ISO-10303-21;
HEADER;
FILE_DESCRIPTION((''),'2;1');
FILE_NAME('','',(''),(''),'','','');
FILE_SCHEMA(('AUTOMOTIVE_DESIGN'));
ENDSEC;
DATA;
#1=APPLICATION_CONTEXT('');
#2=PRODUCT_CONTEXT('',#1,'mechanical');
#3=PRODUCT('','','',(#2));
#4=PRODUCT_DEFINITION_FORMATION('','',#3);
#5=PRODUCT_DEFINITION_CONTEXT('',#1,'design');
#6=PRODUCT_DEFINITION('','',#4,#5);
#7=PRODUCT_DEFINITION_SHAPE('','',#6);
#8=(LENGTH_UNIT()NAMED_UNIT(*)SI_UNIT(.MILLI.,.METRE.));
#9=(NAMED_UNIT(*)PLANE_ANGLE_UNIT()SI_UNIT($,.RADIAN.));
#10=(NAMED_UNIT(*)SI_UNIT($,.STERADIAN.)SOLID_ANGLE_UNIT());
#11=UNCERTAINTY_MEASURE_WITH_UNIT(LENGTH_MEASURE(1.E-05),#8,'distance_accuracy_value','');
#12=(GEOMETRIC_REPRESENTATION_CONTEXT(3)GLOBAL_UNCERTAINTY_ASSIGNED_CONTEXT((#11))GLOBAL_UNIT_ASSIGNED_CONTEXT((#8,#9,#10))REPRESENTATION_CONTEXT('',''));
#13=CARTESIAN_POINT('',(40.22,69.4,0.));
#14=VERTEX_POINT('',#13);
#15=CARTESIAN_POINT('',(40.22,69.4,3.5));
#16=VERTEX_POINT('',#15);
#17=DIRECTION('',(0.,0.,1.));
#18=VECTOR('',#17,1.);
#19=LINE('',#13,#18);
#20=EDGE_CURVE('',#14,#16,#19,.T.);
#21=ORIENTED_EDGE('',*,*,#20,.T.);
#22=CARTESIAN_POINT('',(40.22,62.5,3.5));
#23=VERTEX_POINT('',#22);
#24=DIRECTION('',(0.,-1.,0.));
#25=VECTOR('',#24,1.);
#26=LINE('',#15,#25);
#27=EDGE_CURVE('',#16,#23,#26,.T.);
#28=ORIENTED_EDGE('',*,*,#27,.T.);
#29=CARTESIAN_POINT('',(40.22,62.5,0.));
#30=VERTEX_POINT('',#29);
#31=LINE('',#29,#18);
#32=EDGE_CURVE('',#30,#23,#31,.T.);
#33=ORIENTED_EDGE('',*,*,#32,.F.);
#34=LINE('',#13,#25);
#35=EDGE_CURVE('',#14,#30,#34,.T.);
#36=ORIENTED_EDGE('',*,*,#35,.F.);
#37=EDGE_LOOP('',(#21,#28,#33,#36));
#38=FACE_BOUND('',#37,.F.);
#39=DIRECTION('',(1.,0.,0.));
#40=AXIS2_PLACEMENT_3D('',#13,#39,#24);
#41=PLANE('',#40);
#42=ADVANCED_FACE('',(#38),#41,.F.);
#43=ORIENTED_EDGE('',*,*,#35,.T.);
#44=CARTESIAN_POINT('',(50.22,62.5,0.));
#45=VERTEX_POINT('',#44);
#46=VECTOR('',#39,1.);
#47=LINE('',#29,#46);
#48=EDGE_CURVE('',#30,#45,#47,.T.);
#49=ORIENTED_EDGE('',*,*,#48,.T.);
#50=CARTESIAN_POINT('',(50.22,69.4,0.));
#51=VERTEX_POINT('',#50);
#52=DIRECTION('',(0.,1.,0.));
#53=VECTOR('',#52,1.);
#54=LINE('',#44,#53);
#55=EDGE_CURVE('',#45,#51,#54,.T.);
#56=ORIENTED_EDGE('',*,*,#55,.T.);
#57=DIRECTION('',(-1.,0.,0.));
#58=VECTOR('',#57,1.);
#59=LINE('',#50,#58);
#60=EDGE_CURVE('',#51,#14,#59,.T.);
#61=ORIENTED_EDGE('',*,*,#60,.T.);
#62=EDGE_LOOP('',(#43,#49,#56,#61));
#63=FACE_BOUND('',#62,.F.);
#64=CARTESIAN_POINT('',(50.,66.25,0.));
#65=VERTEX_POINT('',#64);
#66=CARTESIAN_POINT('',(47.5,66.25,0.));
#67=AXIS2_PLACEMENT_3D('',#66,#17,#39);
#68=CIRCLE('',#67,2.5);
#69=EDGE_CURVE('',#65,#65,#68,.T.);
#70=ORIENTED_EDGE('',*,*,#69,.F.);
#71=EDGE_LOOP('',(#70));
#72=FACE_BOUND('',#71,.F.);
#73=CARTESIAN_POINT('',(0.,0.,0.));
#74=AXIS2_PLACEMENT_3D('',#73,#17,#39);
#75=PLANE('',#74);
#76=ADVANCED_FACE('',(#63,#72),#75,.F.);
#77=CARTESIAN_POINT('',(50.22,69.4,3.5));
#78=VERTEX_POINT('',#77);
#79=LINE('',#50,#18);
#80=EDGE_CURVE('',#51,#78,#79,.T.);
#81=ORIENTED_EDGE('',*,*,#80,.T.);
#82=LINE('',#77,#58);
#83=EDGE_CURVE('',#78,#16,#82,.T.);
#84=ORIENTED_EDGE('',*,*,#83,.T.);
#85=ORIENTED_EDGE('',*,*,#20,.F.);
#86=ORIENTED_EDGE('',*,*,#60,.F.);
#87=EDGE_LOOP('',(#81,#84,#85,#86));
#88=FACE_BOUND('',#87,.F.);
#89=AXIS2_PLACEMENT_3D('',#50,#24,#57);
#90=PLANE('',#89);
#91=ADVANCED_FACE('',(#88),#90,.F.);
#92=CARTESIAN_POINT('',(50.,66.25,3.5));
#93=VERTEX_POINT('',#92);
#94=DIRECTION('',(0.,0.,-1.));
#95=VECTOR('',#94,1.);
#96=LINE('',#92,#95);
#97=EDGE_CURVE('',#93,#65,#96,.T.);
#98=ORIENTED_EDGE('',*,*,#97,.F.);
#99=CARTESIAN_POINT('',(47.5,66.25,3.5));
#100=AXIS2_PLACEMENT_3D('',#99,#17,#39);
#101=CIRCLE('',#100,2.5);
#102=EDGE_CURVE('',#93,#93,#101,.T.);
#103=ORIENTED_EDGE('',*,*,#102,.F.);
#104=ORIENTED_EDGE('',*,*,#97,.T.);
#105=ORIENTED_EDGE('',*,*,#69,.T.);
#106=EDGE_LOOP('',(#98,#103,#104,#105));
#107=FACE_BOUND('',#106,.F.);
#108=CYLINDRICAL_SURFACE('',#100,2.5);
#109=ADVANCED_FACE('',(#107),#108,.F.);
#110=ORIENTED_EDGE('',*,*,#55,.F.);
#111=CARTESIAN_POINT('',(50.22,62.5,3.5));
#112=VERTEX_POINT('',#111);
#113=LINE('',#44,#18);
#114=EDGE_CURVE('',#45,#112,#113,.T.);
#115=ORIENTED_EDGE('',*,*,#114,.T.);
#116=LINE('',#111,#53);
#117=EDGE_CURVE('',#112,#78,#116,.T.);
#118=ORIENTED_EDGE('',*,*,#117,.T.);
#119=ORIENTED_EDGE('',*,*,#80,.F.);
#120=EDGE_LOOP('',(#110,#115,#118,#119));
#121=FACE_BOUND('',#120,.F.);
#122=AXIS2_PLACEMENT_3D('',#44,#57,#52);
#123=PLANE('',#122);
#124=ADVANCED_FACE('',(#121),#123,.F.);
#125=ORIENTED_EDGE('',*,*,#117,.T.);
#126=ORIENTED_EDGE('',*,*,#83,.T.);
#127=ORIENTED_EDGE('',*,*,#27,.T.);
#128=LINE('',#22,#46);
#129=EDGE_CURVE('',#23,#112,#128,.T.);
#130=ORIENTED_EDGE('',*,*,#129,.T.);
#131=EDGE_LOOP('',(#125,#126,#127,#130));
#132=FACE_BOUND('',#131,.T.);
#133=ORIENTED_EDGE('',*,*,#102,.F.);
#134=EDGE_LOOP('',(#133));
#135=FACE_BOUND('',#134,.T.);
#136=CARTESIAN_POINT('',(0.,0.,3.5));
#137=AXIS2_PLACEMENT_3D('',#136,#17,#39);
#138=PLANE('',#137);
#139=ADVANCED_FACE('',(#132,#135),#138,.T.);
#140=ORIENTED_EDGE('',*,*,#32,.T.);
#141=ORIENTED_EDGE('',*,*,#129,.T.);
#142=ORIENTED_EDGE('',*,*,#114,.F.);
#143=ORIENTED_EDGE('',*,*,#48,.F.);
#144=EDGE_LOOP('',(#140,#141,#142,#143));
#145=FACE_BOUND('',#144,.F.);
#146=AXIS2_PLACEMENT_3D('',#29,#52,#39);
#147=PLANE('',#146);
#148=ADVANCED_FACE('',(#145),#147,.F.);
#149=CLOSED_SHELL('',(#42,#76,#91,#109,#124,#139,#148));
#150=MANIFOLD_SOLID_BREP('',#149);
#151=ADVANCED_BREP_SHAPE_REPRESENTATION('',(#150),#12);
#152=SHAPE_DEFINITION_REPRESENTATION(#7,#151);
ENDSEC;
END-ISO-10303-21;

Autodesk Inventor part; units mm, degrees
ref_plane "YZ Plane" through (0, 0, 0) normal (1, 0, 0) x (0, 1, 0)
ref_plane "XZ Plane" through (0, 0, 0) normal (0, 1, 0) x (-1, 0, 0)
ref_plane "XY Plane" through (0, 0, 0) normal (0, 0, 1) x (1, 0, 0)
sketch "Sketch1" plane through (0, 0, 0) normal (0, 0, 1) x (1, 0, 0)
  circle A0 centre (47.5, 66.25) radius 1.5 projected
  line L0 (50.22, 62.5) -> (-50.22, 62.5) construction
  line L1 (50.22, 62.5) -> (50.22, 69.4) construction
  line L2 (50.22, 69.4) -> (-50.22, 69.4) construction
  line L3 (50.22, 69.4) -> (40.22, 69.4)
  line L4 (40.22, 69.4) -> (40.22, 62.5)
  line L5 (40.22, 62.5) -> (50.22, 62.5)
  line L6 (50.22, 62.5) -> (50.22, 69.4)
  point P0 (0, 0)
  dimension "d0" = 10
extrude "Extrusion1" add sketch "Sketch1" along normal blind 3.5
sketch "Sketch2" plane through (0, 0, 3.5) normal (0, 0, 1) x (1, 0, 0)
  circle A0 centre (47.5, 66.25) radius 1.5 projected
  circle A1 centre (47.5, 66.25) radius 2.5
  point P0 (0, 0)
  dimension "d3" = 1
extrude "Extrusion2" cut sketch "Sketch2" against normal through all
properties part number "Screen_Spacers"
